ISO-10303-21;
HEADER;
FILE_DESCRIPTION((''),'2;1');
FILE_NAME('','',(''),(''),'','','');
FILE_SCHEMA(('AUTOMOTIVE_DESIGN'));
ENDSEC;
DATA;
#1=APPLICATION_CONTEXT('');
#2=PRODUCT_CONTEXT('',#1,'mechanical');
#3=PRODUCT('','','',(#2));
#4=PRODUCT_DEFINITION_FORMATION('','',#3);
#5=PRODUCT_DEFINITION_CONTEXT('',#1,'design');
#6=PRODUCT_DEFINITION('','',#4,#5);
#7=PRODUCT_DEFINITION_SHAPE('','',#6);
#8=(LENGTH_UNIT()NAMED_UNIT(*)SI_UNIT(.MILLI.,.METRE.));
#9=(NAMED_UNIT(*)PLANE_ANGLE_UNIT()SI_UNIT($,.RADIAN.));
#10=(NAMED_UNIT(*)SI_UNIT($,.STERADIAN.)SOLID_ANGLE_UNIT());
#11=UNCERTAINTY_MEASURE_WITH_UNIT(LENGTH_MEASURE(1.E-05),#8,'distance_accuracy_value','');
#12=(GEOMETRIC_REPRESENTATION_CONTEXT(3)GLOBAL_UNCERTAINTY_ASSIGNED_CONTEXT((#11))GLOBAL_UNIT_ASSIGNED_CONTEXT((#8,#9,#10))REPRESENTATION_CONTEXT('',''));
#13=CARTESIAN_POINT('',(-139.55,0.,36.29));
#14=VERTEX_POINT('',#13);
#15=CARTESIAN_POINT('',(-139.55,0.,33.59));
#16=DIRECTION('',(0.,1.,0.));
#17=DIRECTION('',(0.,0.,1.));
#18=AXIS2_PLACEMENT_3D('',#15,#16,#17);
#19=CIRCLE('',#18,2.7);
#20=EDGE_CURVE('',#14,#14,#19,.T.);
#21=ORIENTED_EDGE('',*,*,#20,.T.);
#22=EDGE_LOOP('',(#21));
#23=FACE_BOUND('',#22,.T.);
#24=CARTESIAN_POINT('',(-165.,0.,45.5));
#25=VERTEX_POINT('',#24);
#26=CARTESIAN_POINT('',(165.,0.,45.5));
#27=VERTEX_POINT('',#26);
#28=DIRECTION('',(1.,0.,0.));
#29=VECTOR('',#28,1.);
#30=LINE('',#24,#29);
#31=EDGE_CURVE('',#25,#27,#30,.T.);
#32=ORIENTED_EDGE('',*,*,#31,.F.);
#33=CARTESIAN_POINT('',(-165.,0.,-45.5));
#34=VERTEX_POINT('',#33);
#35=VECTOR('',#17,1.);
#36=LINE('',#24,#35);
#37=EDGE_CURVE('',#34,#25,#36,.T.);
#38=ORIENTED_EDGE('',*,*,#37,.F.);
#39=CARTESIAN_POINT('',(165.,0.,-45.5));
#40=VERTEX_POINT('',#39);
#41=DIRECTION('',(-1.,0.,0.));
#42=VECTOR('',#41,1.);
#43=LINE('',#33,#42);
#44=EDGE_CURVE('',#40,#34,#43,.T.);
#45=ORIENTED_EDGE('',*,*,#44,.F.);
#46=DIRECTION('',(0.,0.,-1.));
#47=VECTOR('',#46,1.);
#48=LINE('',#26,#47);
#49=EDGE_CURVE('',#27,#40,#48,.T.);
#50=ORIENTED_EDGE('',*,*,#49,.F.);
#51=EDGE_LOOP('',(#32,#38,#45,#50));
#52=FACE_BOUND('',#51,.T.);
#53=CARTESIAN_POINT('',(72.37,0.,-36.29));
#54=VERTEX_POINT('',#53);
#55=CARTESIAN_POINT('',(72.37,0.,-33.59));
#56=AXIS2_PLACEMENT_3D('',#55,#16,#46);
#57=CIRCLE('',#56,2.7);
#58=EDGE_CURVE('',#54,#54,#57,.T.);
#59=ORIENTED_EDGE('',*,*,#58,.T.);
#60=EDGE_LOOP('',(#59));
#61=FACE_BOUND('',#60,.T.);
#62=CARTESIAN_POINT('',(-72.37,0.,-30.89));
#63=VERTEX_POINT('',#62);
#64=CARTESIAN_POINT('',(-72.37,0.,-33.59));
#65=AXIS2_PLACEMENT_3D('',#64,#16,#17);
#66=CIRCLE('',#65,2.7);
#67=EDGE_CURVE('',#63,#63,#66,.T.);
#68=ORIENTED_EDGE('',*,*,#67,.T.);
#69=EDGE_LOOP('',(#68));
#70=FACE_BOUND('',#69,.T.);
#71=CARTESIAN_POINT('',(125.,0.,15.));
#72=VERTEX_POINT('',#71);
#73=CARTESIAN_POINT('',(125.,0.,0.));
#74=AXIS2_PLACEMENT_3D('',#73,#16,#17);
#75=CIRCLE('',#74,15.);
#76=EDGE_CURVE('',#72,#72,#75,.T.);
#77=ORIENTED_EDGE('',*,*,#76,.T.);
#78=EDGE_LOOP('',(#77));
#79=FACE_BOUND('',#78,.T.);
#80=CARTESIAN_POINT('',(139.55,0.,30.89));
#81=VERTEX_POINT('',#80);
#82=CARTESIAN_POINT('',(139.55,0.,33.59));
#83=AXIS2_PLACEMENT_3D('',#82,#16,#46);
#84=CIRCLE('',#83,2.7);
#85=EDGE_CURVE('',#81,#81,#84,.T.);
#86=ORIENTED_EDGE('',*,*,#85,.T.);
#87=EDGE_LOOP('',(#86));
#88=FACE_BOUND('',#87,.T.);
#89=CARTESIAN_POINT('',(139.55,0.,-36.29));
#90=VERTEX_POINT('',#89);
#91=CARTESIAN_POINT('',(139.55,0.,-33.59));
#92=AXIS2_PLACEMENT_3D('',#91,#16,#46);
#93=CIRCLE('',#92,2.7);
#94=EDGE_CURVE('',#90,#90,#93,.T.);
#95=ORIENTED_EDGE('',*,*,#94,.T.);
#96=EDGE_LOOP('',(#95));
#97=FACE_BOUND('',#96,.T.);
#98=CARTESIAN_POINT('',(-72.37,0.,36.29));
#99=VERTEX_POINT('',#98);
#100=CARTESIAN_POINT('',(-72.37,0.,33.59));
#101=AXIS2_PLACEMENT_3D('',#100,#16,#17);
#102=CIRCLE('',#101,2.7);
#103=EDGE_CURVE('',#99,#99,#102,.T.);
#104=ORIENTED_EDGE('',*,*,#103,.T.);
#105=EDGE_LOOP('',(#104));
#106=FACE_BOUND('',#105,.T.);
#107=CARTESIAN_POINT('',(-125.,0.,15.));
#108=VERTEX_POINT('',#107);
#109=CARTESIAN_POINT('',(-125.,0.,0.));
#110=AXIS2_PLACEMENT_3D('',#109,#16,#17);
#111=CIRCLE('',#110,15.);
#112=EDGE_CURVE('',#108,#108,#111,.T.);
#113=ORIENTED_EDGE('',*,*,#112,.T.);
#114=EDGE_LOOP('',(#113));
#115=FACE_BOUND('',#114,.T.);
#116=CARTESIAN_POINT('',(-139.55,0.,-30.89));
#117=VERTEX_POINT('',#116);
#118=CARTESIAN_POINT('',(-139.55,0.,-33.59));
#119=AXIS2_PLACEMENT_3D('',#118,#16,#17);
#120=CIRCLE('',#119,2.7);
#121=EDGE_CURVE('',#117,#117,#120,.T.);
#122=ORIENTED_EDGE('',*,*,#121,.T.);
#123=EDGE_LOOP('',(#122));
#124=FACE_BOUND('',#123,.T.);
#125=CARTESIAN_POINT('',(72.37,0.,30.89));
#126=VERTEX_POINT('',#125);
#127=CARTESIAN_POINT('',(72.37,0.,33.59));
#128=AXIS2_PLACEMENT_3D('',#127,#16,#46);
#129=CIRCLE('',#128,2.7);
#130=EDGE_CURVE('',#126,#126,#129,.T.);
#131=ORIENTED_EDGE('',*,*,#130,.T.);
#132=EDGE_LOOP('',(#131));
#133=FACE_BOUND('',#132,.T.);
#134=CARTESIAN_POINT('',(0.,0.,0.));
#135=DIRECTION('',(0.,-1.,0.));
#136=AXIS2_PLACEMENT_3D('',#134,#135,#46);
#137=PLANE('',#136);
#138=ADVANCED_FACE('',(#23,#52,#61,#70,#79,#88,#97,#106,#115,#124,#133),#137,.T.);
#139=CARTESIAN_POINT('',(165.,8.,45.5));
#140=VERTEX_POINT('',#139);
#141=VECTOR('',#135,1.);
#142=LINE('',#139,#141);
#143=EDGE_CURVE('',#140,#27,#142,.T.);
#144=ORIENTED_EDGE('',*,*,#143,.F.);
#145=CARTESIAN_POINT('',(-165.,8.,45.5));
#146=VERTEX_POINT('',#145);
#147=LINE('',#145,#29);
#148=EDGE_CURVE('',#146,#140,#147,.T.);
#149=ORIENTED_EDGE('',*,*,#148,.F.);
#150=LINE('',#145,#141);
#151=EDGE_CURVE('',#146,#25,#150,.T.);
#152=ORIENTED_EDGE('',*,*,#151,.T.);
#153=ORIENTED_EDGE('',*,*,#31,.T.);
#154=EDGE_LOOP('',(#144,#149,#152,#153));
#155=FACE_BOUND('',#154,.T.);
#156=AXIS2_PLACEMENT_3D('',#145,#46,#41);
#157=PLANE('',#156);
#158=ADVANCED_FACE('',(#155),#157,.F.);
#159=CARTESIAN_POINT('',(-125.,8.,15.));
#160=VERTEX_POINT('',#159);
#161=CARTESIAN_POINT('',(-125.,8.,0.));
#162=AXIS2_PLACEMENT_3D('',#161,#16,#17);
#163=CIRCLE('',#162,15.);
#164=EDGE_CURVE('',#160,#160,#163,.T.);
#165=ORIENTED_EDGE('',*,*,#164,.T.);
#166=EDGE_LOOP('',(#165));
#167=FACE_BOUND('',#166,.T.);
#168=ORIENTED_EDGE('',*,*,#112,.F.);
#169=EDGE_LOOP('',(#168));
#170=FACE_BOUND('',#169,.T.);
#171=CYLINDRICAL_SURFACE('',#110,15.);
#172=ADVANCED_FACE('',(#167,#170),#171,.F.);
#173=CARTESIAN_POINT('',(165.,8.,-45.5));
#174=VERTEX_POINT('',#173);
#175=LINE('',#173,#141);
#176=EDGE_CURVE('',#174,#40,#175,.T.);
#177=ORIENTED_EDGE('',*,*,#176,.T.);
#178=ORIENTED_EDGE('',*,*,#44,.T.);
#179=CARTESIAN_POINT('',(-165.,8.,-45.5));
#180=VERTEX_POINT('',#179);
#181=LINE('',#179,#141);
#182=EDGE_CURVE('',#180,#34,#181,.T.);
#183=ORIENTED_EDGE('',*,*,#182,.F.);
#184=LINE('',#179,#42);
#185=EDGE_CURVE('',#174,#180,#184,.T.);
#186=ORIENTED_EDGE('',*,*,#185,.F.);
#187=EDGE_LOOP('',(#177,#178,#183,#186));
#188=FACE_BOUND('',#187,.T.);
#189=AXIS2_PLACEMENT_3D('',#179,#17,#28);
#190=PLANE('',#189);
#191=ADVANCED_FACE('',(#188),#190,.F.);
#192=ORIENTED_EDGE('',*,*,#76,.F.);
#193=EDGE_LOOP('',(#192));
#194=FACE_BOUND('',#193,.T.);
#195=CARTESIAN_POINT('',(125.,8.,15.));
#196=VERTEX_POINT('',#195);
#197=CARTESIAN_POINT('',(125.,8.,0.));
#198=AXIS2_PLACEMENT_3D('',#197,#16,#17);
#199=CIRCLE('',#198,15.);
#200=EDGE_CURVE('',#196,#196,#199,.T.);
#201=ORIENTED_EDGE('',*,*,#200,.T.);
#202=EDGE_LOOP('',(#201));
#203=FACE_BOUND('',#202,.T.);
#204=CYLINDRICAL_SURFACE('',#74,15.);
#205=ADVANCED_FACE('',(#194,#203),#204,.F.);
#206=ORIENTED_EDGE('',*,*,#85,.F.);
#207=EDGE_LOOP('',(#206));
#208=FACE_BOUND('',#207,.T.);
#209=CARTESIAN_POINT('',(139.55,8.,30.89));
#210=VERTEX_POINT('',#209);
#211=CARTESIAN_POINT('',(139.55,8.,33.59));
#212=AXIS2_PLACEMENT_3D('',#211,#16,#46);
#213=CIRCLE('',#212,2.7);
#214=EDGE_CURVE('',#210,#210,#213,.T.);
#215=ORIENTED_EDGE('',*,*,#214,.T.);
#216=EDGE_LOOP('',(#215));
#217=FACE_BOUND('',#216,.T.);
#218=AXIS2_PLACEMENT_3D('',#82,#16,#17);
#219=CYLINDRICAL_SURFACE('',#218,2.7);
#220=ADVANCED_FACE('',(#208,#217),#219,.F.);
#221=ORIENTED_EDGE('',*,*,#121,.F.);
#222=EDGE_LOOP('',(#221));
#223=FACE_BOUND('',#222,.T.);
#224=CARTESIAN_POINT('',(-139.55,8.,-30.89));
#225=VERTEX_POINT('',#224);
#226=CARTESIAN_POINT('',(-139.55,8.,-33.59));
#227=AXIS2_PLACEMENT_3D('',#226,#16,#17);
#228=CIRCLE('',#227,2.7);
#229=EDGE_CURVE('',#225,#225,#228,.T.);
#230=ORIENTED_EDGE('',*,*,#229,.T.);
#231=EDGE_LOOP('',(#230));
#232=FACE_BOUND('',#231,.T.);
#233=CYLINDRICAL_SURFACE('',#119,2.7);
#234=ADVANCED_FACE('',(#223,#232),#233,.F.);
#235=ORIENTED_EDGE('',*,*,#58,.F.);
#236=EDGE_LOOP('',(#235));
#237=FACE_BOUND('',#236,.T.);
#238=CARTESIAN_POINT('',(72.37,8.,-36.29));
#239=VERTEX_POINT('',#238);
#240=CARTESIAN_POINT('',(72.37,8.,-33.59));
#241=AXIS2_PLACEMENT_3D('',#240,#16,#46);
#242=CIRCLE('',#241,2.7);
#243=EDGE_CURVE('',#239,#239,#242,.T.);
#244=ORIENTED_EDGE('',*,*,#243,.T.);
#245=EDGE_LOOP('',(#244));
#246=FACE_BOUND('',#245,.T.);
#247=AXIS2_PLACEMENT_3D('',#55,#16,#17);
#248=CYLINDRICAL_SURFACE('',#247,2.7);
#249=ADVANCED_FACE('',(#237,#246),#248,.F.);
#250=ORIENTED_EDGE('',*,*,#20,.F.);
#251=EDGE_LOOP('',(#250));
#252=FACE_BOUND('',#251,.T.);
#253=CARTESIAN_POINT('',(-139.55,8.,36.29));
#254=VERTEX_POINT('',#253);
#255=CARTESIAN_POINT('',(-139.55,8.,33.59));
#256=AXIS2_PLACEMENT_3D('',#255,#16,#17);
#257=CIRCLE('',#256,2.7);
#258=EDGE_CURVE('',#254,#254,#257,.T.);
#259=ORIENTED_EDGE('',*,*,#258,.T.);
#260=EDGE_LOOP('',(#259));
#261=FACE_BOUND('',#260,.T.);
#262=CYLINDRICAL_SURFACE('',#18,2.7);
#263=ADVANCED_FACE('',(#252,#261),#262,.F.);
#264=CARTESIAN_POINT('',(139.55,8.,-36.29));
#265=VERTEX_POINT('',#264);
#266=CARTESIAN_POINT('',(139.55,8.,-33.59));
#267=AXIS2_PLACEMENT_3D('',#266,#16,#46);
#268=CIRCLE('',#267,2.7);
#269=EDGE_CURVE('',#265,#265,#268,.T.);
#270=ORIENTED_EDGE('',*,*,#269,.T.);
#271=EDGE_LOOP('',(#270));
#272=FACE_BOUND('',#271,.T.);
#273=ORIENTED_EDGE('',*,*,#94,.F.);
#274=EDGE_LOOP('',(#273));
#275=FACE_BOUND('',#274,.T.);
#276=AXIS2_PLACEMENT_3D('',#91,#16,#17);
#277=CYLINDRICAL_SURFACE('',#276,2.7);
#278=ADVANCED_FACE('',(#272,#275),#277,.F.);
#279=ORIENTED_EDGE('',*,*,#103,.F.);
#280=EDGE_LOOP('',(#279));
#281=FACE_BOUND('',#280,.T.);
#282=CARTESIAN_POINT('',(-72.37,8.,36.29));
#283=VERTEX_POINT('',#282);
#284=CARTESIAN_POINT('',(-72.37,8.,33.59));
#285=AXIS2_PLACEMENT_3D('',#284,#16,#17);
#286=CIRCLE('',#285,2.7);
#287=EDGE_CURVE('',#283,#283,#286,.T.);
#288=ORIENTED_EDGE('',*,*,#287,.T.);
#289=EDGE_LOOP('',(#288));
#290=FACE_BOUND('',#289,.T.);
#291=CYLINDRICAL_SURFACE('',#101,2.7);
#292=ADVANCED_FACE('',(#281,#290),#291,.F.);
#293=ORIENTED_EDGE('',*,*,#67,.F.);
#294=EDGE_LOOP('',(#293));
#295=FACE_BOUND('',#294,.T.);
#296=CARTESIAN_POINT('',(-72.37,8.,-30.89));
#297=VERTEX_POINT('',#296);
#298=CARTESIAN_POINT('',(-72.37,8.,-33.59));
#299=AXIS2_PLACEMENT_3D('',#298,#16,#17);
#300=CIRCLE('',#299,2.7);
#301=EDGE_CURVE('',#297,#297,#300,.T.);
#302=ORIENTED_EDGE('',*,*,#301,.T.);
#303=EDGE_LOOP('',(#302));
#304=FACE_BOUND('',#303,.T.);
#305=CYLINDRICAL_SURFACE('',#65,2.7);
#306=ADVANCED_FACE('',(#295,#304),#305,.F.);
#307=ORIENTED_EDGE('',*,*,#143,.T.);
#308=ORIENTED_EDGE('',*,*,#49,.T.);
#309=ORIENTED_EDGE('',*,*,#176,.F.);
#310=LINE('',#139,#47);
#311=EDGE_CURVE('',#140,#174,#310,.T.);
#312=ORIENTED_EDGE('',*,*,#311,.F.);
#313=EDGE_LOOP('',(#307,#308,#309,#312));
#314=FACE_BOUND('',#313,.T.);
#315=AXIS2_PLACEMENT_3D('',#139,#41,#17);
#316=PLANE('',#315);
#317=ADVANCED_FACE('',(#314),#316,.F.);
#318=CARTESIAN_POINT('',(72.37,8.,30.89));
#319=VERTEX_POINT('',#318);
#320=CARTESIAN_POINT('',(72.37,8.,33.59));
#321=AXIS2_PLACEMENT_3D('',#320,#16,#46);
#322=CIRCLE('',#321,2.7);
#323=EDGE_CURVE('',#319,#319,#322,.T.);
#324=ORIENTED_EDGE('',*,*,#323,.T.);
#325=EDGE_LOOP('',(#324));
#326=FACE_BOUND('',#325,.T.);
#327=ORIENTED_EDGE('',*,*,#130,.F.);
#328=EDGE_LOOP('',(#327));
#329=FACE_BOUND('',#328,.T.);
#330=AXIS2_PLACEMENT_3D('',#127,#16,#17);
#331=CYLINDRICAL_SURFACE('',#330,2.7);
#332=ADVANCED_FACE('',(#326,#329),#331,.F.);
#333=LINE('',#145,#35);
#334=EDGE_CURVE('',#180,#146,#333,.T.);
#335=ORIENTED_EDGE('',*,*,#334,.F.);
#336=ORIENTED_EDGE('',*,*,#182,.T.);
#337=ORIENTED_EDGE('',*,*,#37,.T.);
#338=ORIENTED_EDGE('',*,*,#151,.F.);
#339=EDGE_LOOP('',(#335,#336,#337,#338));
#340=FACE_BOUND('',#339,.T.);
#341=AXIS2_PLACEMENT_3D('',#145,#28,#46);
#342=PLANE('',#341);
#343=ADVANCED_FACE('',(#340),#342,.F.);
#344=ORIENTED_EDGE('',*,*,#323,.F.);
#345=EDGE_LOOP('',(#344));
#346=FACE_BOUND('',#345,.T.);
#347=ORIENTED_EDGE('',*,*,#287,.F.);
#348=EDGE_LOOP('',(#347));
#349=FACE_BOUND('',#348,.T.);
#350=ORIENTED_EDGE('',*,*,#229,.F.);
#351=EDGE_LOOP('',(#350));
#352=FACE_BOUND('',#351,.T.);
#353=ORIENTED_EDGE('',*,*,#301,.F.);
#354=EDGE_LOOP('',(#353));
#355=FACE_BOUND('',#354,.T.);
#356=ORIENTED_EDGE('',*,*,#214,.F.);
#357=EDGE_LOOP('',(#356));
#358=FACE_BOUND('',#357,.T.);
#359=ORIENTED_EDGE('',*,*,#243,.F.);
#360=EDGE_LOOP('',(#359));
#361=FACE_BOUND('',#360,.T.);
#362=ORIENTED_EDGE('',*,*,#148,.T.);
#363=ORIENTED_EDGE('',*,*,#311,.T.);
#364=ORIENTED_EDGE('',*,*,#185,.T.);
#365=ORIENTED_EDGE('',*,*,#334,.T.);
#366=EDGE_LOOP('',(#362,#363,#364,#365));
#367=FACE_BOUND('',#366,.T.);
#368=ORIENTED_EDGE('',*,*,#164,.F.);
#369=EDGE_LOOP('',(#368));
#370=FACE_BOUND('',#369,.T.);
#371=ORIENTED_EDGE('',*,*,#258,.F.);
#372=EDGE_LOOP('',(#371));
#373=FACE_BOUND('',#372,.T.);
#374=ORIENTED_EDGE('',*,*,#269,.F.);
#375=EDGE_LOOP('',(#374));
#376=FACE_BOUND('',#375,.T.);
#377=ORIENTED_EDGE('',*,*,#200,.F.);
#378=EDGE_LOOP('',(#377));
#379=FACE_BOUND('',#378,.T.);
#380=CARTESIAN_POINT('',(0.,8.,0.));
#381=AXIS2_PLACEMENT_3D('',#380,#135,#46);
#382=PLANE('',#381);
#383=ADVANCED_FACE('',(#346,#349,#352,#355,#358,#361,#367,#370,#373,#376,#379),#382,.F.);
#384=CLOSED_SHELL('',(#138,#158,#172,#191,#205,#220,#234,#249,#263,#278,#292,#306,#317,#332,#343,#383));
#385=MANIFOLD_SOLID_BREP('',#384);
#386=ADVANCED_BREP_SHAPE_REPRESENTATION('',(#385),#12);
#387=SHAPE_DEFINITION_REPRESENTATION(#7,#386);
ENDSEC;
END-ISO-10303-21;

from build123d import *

# Parameters (mm, degrees)
SKETCH1_W           = 330
SKETCH1_H           = 91
BOSS_EXTRUDE2_DEPTH = 8
SKETCH4_R           = 15
SKETCH4_R_2         = 2.7
CUT_EXTRUDE4_DEPTH  = 8


with BuildPart() as part:
    # Sketch1 → Boss-Extrude2 (new body)
    with BuildSketch(Plane(origin=(0, 0, 0), x_dir=(1, 0, 0), z_dir=(0, 1, 0))):
        Rectangle(SKETCH1_W, SKETCH1_H)
    extrude(amount=BOSS_EXTRUDE2_DEPTH)

    # Sketch4 → Cut-Extrude4 (cut)
    with BuildSketch(Plane(origin=(0, 8, 0), x_dir=(1, 0, 0), z_dir=(0, 1, 0))):
        with Locations(Location((125, 0, 0), (0, 0, 270))):
            Circle(SKETCH4_R)
        with Locations(Location((-125, 0, 0), (0, 0, 270))):
            Circle(SKETCH4_R)
        with Locations(Location((-139.55, 33.59, 0), (0, 0, 270))):
            Circle(SKETCH4_R_2)
        with Locations(Location((-139.55, -33.59, 0), (0, 0, 270))):
            Circle(SKETCH4_R_2)
        with Locations(Location((-72.37, -33.59, 0), (0, 0, 270))):
            Circle(SKETCH4_R_2)
        with Locations(Location((-72.37, 33.59, 0), (0, 0, 270))):
            Circle(SKETCH4_R_2)
        with Locations(Location((139.55, -33.59, 0), (0, 0, 90))):
            Circle(SKETCH4_R_2)
        with Locations(Location((72.37, -33.59, 0), (0, 0, 90))):
            Circle(SKETCH4_R_2)
        with Locations(Location((72.37, 33.59, 0), (0, 0, 90))):
            Circle(SKETCH4_R_2)
        with Locations(Location((139.55, 33.59, 0), (0, 0, 90))):
            Circle(SKETCH4_R_2)
    extrude(amount=-CUT_EXTRUDE4_DEPTH, mode=Mode.SUBTRACT)


solid = part.part
